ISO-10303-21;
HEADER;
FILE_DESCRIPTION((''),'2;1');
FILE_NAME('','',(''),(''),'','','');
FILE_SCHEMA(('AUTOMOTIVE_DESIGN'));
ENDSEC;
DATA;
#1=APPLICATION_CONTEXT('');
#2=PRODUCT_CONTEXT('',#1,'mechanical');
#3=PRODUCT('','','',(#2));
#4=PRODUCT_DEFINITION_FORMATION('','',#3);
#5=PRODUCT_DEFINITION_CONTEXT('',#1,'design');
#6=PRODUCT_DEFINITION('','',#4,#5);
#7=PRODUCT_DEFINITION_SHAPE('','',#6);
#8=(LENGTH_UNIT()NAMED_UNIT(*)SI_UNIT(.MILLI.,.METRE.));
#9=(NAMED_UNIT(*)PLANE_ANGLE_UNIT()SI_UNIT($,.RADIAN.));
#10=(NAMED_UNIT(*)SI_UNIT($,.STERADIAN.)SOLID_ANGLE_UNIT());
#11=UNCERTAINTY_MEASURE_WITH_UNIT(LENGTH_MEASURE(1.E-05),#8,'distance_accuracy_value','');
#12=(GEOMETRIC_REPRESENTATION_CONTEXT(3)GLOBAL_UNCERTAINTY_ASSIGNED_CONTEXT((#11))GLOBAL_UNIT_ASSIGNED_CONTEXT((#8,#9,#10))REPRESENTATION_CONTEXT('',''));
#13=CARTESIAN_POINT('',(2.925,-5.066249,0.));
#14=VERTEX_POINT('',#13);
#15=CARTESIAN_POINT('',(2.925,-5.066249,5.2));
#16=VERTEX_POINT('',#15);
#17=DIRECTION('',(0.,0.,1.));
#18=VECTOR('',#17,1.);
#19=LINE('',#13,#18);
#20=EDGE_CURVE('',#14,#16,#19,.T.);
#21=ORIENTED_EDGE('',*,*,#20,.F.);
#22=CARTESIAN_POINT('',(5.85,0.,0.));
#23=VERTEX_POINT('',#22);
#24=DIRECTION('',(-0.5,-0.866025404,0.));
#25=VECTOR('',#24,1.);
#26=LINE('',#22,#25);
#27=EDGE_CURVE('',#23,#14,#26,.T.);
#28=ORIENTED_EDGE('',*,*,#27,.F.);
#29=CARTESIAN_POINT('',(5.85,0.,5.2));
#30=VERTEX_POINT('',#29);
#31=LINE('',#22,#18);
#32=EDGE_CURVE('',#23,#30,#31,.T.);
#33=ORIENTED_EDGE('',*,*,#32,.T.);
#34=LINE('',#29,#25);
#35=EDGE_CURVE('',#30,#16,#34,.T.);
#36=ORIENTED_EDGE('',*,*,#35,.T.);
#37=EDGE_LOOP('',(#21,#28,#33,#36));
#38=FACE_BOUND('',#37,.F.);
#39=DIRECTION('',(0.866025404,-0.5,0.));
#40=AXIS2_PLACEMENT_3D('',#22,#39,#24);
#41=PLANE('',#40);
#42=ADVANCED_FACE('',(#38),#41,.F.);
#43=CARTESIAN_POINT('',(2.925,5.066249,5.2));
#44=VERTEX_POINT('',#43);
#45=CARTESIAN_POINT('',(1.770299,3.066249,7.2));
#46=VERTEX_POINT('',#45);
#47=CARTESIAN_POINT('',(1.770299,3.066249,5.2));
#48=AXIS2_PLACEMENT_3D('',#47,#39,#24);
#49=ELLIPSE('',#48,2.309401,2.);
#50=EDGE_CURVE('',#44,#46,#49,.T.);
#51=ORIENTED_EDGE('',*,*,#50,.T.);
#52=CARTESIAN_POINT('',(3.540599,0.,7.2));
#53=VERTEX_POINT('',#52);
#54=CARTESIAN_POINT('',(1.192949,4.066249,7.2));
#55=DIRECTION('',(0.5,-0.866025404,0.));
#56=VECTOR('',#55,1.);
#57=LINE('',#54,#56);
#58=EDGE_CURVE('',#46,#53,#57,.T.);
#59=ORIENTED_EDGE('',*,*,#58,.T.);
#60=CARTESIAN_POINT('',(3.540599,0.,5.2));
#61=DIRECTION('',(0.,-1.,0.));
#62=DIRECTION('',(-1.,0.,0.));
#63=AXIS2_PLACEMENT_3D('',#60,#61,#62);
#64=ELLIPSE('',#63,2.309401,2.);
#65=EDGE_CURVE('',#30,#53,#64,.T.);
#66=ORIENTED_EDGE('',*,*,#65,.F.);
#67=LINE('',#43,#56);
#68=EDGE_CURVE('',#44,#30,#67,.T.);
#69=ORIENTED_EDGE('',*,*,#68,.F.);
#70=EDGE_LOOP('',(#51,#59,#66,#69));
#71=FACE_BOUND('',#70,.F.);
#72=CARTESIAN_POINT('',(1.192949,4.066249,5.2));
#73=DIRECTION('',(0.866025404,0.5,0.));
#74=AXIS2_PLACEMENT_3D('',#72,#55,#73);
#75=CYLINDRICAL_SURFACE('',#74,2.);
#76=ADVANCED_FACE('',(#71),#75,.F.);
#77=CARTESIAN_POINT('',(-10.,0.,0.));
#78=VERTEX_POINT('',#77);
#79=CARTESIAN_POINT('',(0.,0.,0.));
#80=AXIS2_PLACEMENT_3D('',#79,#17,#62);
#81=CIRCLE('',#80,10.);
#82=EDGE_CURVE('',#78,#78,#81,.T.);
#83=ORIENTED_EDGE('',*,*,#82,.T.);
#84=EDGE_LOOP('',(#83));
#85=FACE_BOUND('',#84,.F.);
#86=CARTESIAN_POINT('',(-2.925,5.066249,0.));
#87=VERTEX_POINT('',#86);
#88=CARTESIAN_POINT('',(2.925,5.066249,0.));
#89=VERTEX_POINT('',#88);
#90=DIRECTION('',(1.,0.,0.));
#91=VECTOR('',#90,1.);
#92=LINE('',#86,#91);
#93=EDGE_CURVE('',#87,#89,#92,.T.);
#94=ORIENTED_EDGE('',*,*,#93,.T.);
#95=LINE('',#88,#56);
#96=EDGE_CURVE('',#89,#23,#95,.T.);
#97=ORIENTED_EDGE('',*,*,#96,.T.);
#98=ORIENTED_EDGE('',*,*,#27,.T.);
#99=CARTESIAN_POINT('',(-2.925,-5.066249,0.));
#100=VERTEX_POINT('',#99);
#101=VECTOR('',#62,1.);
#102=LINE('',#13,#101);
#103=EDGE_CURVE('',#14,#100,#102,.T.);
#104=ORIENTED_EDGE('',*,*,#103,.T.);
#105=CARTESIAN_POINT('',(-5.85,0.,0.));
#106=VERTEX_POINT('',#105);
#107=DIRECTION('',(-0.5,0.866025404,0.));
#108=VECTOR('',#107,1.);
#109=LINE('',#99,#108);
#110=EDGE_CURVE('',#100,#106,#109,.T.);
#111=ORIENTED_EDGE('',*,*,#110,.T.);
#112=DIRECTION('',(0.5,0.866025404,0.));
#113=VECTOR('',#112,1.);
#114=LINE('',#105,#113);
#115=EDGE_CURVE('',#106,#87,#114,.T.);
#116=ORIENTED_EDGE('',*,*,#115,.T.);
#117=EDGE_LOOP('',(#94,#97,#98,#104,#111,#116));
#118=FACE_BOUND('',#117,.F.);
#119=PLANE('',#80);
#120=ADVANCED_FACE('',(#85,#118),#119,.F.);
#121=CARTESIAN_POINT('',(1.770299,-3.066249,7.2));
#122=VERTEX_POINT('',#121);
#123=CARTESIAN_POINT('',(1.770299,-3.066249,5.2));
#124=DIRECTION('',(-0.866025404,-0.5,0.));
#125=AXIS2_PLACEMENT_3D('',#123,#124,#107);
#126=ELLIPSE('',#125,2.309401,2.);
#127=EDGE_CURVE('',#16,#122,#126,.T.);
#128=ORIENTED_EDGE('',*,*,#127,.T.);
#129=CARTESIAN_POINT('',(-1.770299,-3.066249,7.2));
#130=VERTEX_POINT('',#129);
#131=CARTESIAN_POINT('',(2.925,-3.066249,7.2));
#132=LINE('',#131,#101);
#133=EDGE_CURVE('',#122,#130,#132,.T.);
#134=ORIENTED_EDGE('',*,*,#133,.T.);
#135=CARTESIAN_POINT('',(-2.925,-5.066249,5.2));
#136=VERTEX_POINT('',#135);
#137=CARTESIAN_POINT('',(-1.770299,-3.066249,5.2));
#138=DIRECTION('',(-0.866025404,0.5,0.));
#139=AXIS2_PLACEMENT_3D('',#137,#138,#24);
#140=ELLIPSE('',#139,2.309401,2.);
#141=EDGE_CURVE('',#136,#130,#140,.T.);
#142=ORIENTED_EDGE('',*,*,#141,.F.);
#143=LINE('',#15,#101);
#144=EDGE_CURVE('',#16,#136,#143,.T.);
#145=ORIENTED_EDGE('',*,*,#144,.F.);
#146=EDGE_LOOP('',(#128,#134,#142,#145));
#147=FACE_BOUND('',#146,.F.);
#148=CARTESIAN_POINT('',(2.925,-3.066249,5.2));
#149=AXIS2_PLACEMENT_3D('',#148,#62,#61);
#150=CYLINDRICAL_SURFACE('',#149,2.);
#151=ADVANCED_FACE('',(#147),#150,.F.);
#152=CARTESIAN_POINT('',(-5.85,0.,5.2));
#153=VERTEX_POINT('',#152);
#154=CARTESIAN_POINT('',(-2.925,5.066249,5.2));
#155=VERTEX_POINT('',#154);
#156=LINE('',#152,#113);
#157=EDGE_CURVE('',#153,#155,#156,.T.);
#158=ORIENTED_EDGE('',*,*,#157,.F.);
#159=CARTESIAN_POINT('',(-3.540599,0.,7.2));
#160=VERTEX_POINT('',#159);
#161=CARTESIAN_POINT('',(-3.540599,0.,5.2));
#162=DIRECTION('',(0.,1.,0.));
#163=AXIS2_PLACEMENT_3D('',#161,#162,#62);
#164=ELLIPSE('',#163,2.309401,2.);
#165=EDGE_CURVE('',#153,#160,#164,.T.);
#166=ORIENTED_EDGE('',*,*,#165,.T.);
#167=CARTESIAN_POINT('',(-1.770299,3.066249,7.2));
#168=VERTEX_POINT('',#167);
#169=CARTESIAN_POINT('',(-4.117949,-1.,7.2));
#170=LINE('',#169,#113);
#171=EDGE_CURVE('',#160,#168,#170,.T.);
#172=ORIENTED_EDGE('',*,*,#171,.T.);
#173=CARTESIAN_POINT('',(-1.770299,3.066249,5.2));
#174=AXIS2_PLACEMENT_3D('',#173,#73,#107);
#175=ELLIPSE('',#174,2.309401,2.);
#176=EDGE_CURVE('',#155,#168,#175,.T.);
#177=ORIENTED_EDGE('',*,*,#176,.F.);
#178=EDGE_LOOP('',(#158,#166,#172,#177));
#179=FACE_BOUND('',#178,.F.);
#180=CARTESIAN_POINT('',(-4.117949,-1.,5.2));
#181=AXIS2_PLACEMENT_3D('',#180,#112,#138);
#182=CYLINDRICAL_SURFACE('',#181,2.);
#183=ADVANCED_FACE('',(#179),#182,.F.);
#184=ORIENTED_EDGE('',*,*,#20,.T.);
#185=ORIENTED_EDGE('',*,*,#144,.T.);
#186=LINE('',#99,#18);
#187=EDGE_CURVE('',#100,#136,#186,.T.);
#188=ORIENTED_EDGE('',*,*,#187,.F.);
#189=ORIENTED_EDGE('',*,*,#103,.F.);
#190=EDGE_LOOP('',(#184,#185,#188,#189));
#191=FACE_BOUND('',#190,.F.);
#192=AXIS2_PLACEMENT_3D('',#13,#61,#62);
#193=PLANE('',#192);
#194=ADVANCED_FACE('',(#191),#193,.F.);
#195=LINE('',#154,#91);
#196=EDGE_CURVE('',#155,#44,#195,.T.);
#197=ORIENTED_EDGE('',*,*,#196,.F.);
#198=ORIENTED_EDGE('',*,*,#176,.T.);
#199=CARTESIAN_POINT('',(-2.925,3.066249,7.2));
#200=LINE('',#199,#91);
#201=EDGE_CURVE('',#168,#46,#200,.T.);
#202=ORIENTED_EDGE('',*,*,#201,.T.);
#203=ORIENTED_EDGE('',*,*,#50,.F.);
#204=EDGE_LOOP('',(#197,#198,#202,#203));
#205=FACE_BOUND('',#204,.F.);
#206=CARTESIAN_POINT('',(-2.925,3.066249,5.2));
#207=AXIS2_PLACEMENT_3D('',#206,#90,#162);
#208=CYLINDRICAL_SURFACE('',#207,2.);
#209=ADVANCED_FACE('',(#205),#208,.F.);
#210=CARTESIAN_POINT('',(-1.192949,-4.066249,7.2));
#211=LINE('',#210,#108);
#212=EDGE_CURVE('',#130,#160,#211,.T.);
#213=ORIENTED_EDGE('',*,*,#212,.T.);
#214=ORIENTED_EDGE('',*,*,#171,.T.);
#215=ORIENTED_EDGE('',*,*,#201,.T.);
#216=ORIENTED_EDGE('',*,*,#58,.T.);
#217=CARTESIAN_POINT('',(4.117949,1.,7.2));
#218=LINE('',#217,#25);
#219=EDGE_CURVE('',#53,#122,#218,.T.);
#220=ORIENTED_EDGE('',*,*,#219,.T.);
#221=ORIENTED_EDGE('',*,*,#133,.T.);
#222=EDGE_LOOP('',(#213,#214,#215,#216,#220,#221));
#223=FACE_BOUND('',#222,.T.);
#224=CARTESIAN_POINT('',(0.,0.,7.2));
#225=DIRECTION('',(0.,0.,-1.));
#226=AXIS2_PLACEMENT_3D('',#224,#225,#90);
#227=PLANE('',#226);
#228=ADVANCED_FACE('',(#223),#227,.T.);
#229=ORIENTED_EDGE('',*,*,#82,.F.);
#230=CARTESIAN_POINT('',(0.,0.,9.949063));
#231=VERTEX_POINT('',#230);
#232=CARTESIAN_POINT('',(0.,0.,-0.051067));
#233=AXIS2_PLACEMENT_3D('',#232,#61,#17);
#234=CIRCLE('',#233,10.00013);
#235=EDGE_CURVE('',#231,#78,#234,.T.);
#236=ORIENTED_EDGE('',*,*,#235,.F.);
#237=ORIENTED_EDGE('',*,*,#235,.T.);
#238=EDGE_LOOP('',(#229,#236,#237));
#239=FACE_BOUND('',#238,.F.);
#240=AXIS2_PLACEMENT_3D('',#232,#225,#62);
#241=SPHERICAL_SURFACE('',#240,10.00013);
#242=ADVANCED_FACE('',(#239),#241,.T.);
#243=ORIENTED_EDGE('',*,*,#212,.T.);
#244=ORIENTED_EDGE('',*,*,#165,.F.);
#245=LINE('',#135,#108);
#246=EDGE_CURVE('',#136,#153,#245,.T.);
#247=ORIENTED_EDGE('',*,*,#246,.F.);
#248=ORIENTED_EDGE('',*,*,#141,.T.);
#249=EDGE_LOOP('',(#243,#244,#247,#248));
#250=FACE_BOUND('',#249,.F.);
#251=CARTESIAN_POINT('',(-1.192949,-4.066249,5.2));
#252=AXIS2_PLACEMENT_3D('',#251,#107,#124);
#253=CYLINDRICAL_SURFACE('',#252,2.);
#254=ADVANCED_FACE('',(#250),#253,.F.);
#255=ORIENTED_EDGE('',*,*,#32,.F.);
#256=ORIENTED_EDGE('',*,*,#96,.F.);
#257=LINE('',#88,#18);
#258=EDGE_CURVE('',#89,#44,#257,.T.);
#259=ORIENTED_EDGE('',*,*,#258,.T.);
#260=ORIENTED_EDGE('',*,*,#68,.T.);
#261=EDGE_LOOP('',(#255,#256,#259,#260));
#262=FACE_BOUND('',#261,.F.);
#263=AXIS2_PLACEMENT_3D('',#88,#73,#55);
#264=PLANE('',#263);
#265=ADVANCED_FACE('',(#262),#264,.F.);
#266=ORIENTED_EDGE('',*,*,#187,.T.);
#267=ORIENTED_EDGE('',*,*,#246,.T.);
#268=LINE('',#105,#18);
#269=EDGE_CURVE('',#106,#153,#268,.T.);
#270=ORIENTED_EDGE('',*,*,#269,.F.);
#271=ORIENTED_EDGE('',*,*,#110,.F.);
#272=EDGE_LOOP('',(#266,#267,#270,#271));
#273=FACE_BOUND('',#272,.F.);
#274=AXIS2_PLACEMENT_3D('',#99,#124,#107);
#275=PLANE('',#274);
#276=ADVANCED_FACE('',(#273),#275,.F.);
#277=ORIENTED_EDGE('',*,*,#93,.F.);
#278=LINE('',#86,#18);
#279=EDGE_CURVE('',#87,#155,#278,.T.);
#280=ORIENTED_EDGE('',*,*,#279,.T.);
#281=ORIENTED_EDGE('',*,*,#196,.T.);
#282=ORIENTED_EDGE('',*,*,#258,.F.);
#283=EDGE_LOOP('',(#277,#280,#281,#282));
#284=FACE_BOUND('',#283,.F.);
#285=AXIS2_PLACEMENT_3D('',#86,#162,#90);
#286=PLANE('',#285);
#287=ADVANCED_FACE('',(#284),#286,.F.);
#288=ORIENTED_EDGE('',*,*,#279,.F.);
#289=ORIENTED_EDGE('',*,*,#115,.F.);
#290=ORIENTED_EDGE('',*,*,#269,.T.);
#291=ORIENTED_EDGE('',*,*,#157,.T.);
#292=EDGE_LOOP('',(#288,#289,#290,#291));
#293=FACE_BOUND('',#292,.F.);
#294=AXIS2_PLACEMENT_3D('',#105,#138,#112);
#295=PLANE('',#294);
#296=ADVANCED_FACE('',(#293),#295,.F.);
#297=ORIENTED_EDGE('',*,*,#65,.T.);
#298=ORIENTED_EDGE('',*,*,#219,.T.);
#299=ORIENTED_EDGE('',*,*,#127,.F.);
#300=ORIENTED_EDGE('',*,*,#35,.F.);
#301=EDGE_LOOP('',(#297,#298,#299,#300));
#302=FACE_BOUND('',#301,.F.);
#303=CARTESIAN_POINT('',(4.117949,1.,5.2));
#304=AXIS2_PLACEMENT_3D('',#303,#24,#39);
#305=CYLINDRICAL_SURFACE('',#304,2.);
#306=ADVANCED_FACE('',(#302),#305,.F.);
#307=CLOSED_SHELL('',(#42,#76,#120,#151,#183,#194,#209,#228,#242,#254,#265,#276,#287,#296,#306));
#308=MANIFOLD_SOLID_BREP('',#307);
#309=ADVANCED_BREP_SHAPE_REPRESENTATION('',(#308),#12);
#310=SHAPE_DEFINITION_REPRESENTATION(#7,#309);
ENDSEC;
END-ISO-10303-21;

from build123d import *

# Parameters (mm, degrees)
F4_DEPTH = 7.2
F5_R     = 2


with BuildPart() as f2:
    # F1 (on Front) → F2 (revolve)
    with BuildSketch(Plane.XZ):
        with BuildLine():
            ThreePointArc((0, 9.9490633183), (-7.0530819666, 7.0381248849), (-10, 0))
            Line((-10, 0), (0, 0))
            Line((0, 0), (0, 9.9490633183))
        make_face()
    revolve(axis=Axis((0, 0, 4.9745316591), (0, 0, 1)))

    # F3 (on face) → F4 (cut)
    with BuildSketch(Plane(origin=(0, 0, 0), x_dir=(1, 0, 0), z_dir=(0, 0, -1))):
        Polygon((2.925, 5.0662486121), (-2.925, 5.0662486121), (-5.85, 0), (-2.925, -5.0662486121), (2.925, -5.0662486121), (5.85, 0), align=None)
    extrude(amount=-F4_DEPTH, mode=Mode.SUBTRACT)

    # F5
    f5_edges = [f2.edges().sort_by_distance(p)[0] for p in [
        (0, -5.066249, 7.2),
        (-4.3875, -2.533124, 7.2),
        (4.3875, -2.533124, 7.2),
        (4.3875, 2.533124, 7.2),
        (-4.3875, 2.533124, 7.2),
        (0, 5.066249, 7.2),
    ]]
    fillet(f5_edges, radius=F5_R)


solid = f2.part
